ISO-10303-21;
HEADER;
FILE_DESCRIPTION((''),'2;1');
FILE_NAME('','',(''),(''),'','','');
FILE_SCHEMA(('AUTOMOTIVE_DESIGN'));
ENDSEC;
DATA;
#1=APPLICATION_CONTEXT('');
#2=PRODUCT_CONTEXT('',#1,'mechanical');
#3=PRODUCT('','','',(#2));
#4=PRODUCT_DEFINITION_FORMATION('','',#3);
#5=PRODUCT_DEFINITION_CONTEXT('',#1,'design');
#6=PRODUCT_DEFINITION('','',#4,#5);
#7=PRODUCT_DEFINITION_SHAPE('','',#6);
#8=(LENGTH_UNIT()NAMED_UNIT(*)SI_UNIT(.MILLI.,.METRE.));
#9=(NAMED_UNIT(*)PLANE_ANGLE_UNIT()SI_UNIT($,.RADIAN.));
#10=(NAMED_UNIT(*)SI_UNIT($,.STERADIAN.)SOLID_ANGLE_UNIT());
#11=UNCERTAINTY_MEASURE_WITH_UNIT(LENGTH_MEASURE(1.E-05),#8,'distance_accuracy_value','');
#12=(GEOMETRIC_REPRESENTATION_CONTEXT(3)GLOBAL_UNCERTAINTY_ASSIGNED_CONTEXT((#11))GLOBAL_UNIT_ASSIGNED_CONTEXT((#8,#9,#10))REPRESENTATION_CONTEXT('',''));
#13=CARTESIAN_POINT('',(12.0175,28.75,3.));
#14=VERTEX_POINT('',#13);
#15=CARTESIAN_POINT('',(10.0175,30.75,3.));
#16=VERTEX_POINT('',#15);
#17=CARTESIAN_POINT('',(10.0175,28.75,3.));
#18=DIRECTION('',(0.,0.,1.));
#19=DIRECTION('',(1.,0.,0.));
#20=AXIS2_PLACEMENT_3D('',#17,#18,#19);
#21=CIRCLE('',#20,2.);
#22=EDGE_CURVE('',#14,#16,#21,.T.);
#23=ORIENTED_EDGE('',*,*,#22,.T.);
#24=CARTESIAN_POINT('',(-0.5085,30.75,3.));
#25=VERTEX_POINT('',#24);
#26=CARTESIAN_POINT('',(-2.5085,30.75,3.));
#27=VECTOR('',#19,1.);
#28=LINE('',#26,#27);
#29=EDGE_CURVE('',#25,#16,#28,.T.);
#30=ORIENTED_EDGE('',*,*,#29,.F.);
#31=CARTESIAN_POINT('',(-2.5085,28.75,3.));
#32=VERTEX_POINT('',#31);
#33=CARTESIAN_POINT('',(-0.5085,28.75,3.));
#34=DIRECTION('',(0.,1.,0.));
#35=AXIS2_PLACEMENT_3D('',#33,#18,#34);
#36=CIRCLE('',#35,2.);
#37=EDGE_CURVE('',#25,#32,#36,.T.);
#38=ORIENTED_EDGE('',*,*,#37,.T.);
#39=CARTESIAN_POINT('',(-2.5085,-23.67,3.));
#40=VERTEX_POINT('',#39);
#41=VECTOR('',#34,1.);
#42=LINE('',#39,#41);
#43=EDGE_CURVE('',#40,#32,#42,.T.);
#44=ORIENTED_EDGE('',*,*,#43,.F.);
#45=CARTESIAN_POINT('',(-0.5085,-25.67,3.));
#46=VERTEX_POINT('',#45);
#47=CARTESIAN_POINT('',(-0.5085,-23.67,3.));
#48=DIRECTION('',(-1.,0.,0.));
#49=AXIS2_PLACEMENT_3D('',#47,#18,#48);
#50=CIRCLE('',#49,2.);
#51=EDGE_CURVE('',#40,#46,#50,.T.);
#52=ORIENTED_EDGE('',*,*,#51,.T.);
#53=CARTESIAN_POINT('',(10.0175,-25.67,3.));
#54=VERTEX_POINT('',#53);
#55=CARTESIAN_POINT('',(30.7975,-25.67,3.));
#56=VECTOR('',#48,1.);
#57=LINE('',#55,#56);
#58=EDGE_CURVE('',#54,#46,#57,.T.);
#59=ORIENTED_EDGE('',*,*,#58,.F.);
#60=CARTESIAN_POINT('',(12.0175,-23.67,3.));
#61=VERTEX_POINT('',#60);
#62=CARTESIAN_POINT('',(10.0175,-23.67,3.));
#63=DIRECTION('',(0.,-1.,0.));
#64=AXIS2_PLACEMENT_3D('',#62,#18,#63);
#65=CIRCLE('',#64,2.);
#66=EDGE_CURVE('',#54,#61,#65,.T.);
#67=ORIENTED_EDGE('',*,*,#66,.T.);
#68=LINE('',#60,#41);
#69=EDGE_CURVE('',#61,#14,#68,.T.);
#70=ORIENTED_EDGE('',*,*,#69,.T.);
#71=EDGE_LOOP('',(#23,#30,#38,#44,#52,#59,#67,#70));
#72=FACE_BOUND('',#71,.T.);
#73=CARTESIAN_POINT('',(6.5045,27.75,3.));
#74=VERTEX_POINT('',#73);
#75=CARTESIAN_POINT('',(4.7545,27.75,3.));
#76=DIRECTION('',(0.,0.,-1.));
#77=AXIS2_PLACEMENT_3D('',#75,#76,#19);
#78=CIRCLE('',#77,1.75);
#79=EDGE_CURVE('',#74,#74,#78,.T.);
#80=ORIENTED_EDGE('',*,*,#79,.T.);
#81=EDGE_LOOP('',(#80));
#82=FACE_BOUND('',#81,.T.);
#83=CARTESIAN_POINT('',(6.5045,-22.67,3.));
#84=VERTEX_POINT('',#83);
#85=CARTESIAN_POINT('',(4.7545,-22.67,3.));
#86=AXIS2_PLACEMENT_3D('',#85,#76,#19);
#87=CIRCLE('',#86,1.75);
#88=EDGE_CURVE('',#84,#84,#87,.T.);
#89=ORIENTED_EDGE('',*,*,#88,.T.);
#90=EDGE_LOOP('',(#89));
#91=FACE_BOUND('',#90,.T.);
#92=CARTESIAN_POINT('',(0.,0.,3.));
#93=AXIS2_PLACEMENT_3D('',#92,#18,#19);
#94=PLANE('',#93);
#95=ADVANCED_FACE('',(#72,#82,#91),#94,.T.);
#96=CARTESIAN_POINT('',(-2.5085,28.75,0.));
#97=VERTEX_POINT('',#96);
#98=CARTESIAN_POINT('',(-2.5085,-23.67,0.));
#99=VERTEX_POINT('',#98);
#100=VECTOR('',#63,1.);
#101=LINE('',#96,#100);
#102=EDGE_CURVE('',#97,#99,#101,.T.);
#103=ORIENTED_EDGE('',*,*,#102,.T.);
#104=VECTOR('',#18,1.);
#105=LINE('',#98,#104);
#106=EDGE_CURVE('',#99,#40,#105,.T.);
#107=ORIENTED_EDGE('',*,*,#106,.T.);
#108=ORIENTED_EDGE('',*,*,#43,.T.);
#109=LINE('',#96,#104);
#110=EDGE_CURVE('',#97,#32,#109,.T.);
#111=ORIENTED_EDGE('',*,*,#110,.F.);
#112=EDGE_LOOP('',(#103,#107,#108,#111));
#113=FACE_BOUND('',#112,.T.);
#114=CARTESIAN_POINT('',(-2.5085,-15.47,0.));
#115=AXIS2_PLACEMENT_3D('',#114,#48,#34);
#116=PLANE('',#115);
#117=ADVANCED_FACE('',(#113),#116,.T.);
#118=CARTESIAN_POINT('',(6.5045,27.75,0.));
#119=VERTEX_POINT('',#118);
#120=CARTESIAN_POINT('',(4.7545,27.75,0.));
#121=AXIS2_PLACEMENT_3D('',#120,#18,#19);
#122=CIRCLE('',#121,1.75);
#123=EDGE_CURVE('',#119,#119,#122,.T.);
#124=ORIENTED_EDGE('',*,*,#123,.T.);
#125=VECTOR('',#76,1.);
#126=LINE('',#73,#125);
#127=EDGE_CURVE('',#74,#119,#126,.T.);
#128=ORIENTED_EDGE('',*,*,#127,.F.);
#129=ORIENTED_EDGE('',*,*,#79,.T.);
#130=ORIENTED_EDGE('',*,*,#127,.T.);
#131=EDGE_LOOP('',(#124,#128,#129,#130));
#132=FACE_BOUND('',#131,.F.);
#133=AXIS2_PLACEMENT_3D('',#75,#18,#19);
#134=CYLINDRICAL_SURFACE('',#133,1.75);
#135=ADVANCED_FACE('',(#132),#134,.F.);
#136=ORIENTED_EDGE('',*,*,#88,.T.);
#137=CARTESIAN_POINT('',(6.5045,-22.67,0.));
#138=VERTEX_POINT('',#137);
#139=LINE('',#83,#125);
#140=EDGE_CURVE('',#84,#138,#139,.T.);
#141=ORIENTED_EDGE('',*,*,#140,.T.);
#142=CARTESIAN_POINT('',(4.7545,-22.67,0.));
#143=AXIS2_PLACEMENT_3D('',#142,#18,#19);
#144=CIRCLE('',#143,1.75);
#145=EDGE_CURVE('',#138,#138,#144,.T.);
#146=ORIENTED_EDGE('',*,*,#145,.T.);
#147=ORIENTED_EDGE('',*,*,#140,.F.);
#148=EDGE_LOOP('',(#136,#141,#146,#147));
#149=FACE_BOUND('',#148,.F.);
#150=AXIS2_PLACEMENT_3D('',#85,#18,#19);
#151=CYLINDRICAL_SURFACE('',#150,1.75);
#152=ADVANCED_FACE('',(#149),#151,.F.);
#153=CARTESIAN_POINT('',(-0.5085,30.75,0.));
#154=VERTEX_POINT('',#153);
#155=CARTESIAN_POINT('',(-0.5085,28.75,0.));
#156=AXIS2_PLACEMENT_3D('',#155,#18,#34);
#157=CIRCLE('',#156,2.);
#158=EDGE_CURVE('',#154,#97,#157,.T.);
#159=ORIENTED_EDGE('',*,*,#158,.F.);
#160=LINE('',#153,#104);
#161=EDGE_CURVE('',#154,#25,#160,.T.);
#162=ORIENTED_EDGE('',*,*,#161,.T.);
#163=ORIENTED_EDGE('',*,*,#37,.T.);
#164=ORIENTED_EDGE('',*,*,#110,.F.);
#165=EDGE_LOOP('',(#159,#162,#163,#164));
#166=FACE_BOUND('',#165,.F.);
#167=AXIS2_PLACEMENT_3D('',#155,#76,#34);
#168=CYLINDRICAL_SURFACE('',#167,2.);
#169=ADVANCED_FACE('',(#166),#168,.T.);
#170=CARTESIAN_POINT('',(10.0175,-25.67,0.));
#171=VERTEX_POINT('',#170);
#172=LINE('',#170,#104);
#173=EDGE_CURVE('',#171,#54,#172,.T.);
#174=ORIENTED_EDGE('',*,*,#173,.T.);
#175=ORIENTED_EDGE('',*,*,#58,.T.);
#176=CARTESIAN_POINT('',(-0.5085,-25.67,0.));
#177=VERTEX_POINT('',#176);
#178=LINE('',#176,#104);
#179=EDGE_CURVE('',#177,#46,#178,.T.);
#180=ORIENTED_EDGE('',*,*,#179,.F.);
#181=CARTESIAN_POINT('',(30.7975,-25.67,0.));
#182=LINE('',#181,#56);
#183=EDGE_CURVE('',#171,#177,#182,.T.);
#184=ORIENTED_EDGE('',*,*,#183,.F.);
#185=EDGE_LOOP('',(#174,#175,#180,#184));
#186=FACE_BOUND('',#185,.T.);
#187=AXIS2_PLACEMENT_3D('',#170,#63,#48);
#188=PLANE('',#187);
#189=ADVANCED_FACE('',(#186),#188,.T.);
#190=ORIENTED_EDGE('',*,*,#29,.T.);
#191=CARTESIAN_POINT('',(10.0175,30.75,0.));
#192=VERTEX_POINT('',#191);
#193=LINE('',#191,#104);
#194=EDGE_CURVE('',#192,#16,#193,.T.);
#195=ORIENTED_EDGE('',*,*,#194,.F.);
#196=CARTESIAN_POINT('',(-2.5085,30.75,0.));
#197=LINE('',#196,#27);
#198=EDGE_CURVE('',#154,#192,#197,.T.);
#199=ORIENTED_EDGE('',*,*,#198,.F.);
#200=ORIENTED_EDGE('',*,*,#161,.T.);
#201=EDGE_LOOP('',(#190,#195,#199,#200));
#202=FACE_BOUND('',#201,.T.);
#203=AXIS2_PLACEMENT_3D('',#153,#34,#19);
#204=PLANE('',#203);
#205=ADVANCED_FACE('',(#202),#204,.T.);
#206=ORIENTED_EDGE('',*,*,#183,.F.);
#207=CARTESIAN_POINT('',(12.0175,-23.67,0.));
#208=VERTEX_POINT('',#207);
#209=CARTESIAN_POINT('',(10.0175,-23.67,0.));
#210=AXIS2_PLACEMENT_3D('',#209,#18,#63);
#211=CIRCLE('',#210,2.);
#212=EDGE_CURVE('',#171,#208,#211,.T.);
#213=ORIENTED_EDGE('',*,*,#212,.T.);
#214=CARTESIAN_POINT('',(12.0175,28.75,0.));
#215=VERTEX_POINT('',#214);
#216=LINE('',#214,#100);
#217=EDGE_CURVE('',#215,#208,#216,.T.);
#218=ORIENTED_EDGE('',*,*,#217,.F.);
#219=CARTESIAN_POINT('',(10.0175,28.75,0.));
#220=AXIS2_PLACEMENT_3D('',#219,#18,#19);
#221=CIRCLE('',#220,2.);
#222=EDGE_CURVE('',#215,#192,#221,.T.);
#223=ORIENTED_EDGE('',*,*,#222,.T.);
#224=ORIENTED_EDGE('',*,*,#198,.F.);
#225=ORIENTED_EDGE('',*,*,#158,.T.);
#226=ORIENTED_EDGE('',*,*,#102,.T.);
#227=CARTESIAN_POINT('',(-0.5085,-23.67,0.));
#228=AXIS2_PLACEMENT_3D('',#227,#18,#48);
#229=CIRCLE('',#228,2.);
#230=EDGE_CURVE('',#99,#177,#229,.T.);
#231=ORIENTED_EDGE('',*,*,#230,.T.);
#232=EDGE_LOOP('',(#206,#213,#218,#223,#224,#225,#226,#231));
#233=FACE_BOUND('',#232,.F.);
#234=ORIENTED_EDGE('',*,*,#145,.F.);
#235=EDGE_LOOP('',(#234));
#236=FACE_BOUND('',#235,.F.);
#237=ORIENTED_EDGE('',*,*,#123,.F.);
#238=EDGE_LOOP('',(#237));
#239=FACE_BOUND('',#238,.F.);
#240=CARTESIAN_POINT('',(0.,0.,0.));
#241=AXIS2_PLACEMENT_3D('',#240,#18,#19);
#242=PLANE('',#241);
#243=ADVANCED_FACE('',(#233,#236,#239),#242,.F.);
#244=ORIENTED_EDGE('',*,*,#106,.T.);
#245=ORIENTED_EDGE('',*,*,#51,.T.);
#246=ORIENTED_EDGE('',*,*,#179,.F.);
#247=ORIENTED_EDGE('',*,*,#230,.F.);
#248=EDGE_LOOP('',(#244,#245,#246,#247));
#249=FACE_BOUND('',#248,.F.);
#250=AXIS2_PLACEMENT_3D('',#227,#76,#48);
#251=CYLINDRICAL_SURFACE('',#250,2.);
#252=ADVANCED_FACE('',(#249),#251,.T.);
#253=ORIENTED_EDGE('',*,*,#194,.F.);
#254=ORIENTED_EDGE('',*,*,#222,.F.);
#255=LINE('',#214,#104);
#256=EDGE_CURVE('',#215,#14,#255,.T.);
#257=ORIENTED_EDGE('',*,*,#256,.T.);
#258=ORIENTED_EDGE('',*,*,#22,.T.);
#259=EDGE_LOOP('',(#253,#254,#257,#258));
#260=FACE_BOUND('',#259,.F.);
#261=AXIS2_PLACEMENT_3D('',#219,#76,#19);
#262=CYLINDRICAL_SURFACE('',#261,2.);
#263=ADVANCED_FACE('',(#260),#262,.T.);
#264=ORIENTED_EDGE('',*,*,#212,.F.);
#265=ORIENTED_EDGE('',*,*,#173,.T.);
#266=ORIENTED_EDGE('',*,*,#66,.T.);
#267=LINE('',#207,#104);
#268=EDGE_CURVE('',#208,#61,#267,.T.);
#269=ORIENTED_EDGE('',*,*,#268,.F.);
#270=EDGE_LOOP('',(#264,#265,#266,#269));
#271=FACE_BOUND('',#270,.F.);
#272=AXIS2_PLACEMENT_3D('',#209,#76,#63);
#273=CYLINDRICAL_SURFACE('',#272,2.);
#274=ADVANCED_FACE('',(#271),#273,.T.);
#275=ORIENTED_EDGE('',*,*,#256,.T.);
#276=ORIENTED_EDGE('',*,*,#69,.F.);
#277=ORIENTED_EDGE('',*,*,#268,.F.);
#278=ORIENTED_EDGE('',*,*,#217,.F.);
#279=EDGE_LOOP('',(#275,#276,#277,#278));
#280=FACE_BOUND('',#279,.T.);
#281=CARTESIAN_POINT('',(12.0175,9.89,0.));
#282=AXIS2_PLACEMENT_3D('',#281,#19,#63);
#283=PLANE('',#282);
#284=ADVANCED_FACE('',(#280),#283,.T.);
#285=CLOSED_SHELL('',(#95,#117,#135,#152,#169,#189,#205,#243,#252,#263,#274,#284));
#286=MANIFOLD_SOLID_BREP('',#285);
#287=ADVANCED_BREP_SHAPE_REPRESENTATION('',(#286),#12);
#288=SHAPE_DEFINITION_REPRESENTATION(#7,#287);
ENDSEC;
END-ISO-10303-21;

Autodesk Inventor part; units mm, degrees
ref_plane "YZ Plane" through (0, 0, 0) normal (1, 0, 0) x (0, 1, 0)
ref_plane "XZ Plane" through (0, 0, 0) normal (0, 1, 0) x (-1, 0, 0)
ref_plane "XY Plane" through (0, 0, 0) normal (0, 0, 1) x (1, 0, 0)
sketch "Sketch1" plane through (0, 0, 0) normal (0, 0, 1) x (1, 0, 0)
  line L0 (9.9495, -14.97) -> (12.0175, -14.97) projected
  line L1 (9.9495, -20.042) -> (9.9495, -14.97) projected
  line L2 (4.9095, -20.042) -> (9.9495, -20.042) projected
  line L3 (4.9095, -15.47) -> (4.9095, -20.042) projected
  line L4 (-10.8425, -15.47) -> (4.9095, -15.47) projected
  line L5 (-10.8425, 10.39) -> (-10.8425, -15.47) projected
  line L6 (-7.5245, 10.39) -> (-10.8425, 10.39) projected
  line L7 (-7.5245, 30.75) -> (-7.5245, 10.39) projected
  line L8 (-12.0175, 30.75) -> (-7.5245, 30.75) projected
  line L9 (-12.0175, -25.67) -> (-12.0175, 30.75) projected
  line L10 (30.7975, -25.67) -> (-12.0175, -25.67) projected
  spline S0 degree 3 poles (31.7975, -27.4021) (31.7975, -27.1472) (31.7079, -26.8547) (31.4014, -26.2852) (31.0746, -25.9471) (30.7975, -25.67) knots 0.505532 0.505532 0.505532 0.505532 0.581995 0.581995 0.699558 0.699558 0.699558 0.699558 projected
  line L11 (31.7975, -32.02) -> (31.7975, -27.4021) projected
  line L12 (33.7975, -32.02) -> (31.7975, -32.02) projected
  line L13 (33.7975, -32.02) -> (33.7975, -17.51) projected
  line L14 (12.0175, -17.51) -> (33.7975, -17.51) projected
  line L15 (12.0175, -14.97) -> (12.0175, -17.51) projected
  line L16 (4.9095, 10.39) -> (-2.5085, 10.39) projected
  line L17 (4.9095, 14.962) -> (4.9095, 10.39) projected
  line L18 (9.9495, 14.962) -> (4.9095, 14.962) projected
  line L19 (9.9495, 9.89) -> (9.9495, 14.962) projected
  line L20 (12.0175, 9.89) -> (9.9495, 9.89) projected
  line L21 (12.0175, 22.59) -> (12.0175, 9.89) projected
  line L22 (33.7975, 22.59) -> (12.0175, 22.59) projected
  line L23 (33.7975, 22.59) -> (33.7975, 37.1) projected
  line L24 (31.7975, 37.1) -> (33.7975, 37.1) projected
  line L25 (31.7975, 32.4821) -> (31.7975, 37.1) projected
  spline S1 degree 3 poles (30.7975, 30.75) (31.0746, 31.0271) (31.4014, 31.3652) (31.7079, 31.9347) (31.7975, 32.2272) (31.7975, 32.4821) knots 0 0 0 0 0.117563 0.117563 0.194026 0.194026 0.194026 0.194026 projected
  line L26 (-2.5085, 30.75) -> (30.7975, 30.75) projected
  line L27 (-2.5085, 10.39) -> (-2.5085, 30.75) projected
  line L28 (10.0175, -25.67) -> (-0.5085, -25.67)
  line L29 (-2.5085, -23.67) -> (-2.5085, 28.75)
  line L30 (-0.5085, 30.75) -> (10.0175, 30.75)
  line L31 (12.0175, 28.75) -> (12.0175, -23.67)
  arc A0 (-2.5085, -23.67) -> (-0.5085, -25.67) centre (-0.5085, -23.67) ccw
  arc A1 (10.0175, -25.67) -> (12.0175, -23.67) centre (10.0175, -23.67) ccw
  arc A2 (-0.5085, 30.75) -> (-2.5085, 28.75) centre (-0.5085, 28.75) ccw
  arc A3 (12.0175, 28.75) -> (10.0175, 30.75) centre (10.0175, 28.75) ccw
  circle A4 centre (4.7545, -22.67) radius 1.625 projected
  circle A5 centre (4.7545, 27.75) radius 1.625 projected
  point P0 (0, 0)
  point P1 (12.0175, -25.67)
  dimension "d0" = 2
extrude "Extrusion1" add sketch "Sketch1" along normal blind 3 contours L1 L2 L3 L4 L29 L16 L17 L18 L19 L20 L31 L0 | L0 L15 L31 A1 L10 A0 L29 L4 L3 L2 L1 | L20 L19 L18 L17 L16 L27 A2 L26 A3 L31 L21 | A4 | A5
sketch "Sketch2" plane through (0, 0, 3) normal (0, 0, 1) x (1, 0, 0)
  line L0 (9.9495, -14.97) -> (12.0175, -14.97) projected
  line L1 (9.9495, -20.042) -> (9.9495, -14.97) projected
  line L2 (4.9095, -20.042) -> (9.9495, -20.042) projected
  line L3 (4.9095, -15.47) -> (4.9095, -20.042) projected
  line L4 (-10.8425, -15.47) -> (4.9095, -15.47) projected
  line L5 (-10.8425, 10.39) -> (-10.8425, -15.47) projected
  line L6 (-7.5245, 10.39) -> (-10.8425, 10.39) projected
  line L7 (-7.5245, 30.75) -> (-7.5245, 10.39) projected
  line L8 (-12.0175, 30.75) -> (-7.5245, 30.75) projected
  line L9 (-12.0175, -25.67) -> (-12.0175, 30.75) projected
  line L10 (30.7975, -25.67) -> (-12.0175, -25.67) projected
  spline S0 degree 3 poles (31.7975, -27.4021) (31.7975, -27.1472) (31.7079, -26.8547) (31.4014, -26.2852) (31.0746, -25.9471) (30.7975, -25.67) knots 0.505532 0.505532 0.505532 0.505532 0.581995 0.581995 0.699558 0.699558 0.699558 0.699558 projected
  line L11 (31.7975, -32.02) -> (31.7975, -27.4021) projected
  line L12 (33.7975, -32.02) -> (31.7975, -32.02) projected
  line L13 (33.7975, -32.02) -> (33.7975, -17.51) projected
  line L14 (12.0175, -17.51) -> (33.7975, -17.51) projected
  line L15 (12.0175, -14.97) -> (12.0175, -17.51) projected
  line L16 (4.9095, 10.39) -> (-2.5085, 10.39) projected
  line L17 (4.9095, 14.962) -> (4.9095, 10.39) projected
  line L18 (9.9495, 14.962) -> (4.9095, 14.962) projected
  line L19 (9.9495, 9.89) -> (9.9495, 14.962) projected
  line L20 (12.0175, 9.89) -> (9.9495, 9.89) projected
  line L21 (12.0175, 22.59) -> (12.0175, 9.89) projected
  line L22 (33.7975, 22.59) -> (12.0175, 22.59) projected
  line L23 (33.7975, 22.59) -> (33.7975, 37.1) projected
  line L24 (31.7975, 37.1) -> (33.7975, 37.1) projected
  line L25 (31.7975, 32.4821) -> (31.7975, 37.1) projected
  spline S1 degree 3 poles (30.7975, 30.75) (31.0746, 31.0271) (31.4014, 31.3652) (31.7079, 31.9347) (31.7975, 32.2272) (31.7975, 32.4821) knots 0 0 0 0 0.117563 0.117563 0.194026 0.194026 0.194026 0.194026 projected
  line L26 (-2.5085, 30.75) -> (30.7975, 30.75) projected
  line L27 (-2.5085, 10.39) -> (-2.5085, 30.75) projected
  line L28 (-2.5085, 28.75) -> (-2.5085, -23.67) projected
  arc A0 (-2.5085, -23.67) -> (-0.5085, -25.67) centre (-0.5085, -23.67) ccw projected
  line L29 (-0.5085, -25.67) -> (10.0175, -25.67) projected
  arc A1 (10.0175, -25.67) -> (12.0175, -23.67) centre (10.0175, -23.67) ccw projected
  line L30 (12.0175, -23.67) -> (12.0175, 28.75) projected
  arc A2 (12.0175, 28.75) -> (10.0175, 30.75) centre (10.0175, 28.75) ccw projected
  line L31 (10.0175, 30.75) -> (-0.5085, 30.75) projected
  arc A3 (-0.5085, 30.75) -> (-2.5085, 28.75) centre (-0.5085, 28.75) ccw projected
  line L32 (-0.5085, -25.67) -> (10.0175, -25.67) projected
  line L33 (4.7545, -25.67) -> (4.7545, -22.67)
  circle A4 centre (4.7545, -22.67) radius 1.75
  line L34 (0, 0) -> (-38.7909, 0)
  line L35 (4.7545, 30.75) -> (4.7545, 27.75)
  circle A5 centre (4.7545, 27.75) radius 1.75
  circle A6 centre (4.7545, -22.67) radius 1.625 projected
  circle A7 centre (4.7545, 27.75) radius 1.625 projected
  dimension "d3" = 3
  dimension "d4" = 3.5
  dimension "d5" = 3
  dimension "d6" = 3.5
extrude "Extrusion2" cut sketch "Sketch2" against normal blind 3 contours A6 | A4 | A7 | A5
properties part number "SteerServoClamp"
